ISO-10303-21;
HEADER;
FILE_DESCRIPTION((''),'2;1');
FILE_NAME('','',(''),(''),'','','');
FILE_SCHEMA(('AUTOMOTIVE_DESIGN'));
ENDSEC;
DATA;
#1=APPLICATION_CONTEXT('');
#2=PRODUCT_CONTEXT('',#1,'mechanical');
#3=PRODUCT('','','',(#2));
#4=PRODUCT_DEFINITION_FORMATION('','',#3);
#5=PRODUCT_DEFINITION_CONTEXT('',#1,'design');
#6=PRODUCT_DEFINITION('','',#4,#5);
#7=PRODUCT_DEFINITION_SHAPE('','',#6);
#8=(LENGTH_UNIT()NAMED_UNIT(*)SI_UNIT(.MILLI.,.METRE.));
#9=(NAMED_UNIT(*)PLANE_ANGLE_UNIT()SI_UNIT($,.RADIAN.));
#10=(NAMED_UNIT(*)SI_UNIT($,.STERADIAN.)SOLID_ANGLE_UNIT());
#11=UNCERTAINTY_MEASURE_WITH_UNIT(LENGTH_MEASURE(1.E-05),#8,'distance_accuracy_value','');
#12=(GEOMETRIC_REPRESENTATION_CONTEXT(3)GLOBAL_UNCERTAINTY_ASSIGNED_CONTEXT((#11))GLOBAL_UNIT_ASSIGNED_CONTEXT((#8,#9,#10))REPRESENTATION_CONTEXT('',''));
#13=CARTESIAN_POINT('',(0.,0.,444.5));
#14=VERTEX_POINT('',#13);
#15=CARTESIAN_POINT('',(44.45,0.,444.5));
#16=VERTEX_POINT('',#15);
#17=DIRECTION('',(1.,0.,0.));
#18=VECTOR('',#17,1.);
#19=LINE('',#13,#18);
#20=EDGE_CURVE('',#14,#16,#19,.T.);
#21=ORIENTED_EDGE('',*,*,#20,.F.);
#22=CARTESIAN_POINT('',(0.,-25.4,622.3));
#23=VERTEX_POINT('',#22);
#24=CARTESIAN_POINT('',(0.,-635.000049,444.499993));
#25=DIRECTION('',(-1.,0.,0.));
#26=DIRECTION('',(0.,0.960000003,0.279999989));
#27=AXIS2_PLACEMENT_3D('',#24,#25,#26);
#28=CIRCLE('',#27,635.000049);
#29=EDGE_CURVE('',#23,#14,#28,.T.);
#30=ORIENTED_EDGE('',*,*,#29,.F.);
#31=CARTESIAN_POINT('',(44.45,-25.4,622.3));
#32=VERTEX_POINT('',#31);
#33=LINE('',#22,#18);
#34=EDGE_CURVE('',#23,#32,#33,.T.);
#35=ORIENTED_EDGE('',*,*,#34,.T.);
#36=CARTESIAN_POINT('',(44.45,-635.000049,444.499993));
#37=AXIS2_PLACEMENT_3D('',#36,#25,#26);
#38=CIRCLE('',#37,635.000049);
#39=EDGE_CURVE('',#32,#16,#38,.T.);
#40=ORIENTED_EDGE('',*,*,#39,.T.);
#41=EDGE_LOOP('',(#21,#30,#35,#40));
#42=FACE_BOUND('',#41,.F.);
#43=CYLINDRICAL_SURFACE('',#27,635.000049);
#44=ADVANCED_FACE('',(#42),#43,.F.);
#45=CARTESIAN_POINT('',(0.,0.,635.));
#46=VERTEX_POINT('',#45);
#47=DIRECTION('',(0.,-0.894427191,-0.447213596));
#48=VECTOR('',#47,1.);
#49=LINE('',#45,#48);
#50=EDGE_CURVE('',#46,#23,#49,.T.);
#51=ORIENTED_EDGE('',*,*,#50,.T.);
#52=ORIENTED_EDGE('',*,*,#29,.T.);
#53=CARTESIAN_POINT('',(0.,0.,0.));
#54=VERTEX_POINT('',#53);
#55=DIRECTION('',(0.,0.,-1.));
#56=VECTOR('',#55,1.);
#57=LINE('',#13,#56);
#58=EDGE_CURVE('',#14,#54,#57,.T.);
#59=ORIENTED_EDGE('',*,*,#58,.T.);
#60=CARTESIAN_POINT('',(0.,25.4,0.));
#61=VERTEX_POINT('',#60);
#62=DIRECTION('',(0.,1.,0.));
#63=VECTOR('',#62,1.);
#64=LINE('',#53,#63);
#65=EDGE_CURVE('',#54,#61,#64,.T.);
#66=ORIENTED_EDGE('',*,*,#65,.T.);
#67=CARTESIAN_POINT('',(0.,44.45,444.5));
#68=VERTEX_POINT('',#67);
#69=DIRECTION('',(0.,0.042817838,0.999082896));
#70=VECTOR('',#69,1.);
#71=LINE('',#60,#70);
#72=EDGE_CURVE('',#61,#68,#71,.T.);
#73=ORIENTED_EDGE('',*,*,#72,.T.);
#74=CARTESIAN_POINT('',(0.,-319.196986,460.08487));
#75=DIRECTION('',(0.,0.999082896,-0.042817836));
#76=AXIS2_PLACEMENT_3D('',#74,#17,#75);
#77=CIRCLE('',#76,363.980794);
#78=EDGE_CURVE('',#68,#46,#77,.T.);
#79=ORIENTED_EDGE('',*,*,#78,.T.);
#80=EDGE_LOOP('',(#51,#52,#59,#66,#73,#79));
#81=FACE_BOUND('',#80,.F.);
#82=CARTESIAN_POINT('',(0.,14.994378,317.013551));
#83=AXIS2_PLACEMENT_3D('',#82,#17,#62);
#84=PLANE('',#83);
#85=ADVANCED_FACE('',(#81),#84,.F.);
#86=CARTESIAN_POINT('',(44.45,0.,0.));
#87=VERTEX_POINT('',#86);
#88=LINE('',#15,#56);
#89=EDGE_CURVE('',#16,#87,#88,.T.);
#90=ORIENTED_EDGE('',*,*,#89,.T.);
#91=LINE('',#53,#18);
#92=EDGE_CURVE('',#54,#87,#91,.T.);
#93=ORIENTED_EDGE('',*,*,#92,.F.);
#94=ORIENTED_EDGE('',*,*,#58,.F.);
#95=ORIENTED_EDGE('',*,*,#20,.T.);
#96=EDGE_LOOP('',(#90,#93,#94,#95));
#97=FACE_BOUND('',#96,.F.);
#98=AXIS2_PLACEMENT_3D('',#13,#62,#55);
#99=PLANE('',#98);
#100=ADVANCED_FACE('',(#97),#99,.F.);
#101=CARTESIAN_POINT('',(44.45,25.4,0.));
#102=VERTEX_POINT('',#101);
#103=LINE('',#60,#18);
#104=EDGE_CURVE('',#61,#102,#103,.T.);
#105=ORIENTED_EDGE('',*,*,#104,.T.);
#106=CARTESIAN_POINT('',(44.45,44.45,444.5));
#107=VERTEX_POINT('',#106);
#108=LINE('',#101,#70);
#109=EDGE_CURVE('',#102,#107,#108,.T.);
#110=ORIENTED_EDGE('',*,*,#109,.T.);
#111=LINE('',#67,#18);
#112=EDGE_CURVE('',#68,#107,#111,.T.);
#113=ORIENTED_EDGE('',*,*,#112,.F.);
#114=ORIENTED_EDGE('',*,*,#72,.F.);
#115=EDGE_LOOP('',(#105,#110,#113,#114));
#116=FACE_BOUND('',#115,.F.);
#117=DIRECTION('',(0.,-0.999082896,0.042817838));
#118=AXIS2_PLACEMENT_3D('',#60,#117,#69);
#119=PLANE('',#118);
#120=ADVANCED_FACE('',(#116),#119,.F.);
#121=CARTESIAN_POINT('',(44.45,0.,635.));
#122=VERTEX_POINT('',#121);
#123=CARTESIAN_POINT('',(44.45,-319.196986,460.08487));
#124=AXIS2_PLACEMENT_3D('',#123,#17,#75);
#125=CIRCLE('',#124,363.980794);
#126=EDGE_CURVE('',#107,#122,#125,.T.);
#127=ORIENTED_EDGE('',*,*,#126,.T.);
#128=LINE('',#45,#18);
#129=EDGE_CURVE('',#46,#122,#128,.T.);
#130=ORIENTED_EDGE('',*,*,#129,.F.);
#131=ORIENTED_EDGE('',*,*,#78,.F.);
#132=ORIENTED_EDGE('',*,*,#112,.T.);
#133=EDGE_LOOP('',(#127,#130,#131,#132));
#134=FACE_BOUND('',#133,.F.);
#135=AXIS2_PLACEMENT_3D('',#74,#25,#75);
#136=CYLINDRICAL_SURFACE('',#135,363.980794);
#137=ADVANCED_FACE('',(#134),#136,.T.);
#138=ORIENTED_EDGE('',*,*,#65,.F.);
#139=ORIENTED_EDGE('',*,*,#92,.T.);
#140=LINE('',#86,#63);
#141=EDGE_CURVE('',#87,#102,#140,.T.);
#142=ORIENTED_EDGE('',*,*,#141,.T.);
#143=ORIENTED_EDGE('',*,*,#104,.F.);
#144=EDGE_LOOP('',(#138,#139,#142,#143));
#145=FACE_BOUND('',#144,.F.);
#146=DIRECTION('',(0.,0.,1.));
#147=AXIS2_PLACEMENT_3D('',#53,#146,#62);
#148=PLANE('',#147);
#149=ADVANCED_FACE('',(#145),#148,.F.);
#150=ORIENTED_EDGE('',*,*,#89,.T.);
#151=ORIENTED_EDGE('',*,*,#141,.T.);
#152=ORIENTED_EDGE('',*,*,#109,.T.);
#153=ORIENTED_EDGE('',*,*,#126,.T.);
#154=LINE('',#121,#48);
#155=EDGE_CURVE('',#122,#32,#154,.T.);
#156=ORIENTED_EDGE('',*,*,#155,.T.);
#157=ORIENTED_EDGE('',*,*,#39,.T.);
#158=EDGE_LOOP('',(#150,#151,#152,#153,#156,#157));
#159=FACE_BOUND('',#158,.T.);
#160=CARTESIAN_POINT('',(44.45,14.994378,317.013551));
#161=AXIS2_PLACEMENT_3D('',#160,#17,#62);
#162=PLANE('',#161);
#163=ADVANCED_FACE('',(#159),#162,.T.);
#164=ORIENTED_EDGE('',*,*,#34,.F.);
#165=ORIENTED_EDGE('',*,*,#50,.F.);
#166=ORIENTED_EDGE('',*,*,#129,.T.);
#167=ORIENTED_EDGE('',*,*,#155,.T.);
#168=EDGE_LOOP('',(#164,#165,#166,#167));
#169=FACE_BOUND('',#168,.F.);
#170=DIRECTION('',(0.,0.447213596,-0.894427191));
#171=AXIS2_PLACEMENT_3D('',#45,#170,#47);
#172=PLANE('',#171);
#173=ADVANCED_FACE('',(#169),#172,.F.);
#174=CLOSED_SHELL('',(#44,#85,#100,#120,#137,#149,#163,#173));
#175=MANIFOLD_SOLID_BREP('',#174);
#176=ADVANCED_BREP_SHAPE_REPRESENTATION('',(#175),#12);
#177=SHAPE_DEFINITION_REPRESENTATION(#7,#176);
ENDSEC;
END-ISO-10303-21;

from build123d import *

# Parameters (mm, degrees)
F1_DEPTH = 44.45


with BuildPart() as f1:
    # F0 (on Right) → F1 (new body)
    with BuildSketch(Plane.YZ):
        with BuildLine():
            Line((0, 0), (25.4, 0))
            Line((25.4, 0), (44.45, 444.5))
            ThreePointArc((44.45, 444.5), (35.262511, 542.792086), (0, 635))
            Line((0, 635), (-25.4, 622.3))
            ThreePointArc((-25.4, 622.3), (-6.382072, 534.302561), (0, 444.5))
            Line((0, 444.5), (0, 0))
        make_face()
    extrude(amount=F1_DEPTH)


solid = f1.part
